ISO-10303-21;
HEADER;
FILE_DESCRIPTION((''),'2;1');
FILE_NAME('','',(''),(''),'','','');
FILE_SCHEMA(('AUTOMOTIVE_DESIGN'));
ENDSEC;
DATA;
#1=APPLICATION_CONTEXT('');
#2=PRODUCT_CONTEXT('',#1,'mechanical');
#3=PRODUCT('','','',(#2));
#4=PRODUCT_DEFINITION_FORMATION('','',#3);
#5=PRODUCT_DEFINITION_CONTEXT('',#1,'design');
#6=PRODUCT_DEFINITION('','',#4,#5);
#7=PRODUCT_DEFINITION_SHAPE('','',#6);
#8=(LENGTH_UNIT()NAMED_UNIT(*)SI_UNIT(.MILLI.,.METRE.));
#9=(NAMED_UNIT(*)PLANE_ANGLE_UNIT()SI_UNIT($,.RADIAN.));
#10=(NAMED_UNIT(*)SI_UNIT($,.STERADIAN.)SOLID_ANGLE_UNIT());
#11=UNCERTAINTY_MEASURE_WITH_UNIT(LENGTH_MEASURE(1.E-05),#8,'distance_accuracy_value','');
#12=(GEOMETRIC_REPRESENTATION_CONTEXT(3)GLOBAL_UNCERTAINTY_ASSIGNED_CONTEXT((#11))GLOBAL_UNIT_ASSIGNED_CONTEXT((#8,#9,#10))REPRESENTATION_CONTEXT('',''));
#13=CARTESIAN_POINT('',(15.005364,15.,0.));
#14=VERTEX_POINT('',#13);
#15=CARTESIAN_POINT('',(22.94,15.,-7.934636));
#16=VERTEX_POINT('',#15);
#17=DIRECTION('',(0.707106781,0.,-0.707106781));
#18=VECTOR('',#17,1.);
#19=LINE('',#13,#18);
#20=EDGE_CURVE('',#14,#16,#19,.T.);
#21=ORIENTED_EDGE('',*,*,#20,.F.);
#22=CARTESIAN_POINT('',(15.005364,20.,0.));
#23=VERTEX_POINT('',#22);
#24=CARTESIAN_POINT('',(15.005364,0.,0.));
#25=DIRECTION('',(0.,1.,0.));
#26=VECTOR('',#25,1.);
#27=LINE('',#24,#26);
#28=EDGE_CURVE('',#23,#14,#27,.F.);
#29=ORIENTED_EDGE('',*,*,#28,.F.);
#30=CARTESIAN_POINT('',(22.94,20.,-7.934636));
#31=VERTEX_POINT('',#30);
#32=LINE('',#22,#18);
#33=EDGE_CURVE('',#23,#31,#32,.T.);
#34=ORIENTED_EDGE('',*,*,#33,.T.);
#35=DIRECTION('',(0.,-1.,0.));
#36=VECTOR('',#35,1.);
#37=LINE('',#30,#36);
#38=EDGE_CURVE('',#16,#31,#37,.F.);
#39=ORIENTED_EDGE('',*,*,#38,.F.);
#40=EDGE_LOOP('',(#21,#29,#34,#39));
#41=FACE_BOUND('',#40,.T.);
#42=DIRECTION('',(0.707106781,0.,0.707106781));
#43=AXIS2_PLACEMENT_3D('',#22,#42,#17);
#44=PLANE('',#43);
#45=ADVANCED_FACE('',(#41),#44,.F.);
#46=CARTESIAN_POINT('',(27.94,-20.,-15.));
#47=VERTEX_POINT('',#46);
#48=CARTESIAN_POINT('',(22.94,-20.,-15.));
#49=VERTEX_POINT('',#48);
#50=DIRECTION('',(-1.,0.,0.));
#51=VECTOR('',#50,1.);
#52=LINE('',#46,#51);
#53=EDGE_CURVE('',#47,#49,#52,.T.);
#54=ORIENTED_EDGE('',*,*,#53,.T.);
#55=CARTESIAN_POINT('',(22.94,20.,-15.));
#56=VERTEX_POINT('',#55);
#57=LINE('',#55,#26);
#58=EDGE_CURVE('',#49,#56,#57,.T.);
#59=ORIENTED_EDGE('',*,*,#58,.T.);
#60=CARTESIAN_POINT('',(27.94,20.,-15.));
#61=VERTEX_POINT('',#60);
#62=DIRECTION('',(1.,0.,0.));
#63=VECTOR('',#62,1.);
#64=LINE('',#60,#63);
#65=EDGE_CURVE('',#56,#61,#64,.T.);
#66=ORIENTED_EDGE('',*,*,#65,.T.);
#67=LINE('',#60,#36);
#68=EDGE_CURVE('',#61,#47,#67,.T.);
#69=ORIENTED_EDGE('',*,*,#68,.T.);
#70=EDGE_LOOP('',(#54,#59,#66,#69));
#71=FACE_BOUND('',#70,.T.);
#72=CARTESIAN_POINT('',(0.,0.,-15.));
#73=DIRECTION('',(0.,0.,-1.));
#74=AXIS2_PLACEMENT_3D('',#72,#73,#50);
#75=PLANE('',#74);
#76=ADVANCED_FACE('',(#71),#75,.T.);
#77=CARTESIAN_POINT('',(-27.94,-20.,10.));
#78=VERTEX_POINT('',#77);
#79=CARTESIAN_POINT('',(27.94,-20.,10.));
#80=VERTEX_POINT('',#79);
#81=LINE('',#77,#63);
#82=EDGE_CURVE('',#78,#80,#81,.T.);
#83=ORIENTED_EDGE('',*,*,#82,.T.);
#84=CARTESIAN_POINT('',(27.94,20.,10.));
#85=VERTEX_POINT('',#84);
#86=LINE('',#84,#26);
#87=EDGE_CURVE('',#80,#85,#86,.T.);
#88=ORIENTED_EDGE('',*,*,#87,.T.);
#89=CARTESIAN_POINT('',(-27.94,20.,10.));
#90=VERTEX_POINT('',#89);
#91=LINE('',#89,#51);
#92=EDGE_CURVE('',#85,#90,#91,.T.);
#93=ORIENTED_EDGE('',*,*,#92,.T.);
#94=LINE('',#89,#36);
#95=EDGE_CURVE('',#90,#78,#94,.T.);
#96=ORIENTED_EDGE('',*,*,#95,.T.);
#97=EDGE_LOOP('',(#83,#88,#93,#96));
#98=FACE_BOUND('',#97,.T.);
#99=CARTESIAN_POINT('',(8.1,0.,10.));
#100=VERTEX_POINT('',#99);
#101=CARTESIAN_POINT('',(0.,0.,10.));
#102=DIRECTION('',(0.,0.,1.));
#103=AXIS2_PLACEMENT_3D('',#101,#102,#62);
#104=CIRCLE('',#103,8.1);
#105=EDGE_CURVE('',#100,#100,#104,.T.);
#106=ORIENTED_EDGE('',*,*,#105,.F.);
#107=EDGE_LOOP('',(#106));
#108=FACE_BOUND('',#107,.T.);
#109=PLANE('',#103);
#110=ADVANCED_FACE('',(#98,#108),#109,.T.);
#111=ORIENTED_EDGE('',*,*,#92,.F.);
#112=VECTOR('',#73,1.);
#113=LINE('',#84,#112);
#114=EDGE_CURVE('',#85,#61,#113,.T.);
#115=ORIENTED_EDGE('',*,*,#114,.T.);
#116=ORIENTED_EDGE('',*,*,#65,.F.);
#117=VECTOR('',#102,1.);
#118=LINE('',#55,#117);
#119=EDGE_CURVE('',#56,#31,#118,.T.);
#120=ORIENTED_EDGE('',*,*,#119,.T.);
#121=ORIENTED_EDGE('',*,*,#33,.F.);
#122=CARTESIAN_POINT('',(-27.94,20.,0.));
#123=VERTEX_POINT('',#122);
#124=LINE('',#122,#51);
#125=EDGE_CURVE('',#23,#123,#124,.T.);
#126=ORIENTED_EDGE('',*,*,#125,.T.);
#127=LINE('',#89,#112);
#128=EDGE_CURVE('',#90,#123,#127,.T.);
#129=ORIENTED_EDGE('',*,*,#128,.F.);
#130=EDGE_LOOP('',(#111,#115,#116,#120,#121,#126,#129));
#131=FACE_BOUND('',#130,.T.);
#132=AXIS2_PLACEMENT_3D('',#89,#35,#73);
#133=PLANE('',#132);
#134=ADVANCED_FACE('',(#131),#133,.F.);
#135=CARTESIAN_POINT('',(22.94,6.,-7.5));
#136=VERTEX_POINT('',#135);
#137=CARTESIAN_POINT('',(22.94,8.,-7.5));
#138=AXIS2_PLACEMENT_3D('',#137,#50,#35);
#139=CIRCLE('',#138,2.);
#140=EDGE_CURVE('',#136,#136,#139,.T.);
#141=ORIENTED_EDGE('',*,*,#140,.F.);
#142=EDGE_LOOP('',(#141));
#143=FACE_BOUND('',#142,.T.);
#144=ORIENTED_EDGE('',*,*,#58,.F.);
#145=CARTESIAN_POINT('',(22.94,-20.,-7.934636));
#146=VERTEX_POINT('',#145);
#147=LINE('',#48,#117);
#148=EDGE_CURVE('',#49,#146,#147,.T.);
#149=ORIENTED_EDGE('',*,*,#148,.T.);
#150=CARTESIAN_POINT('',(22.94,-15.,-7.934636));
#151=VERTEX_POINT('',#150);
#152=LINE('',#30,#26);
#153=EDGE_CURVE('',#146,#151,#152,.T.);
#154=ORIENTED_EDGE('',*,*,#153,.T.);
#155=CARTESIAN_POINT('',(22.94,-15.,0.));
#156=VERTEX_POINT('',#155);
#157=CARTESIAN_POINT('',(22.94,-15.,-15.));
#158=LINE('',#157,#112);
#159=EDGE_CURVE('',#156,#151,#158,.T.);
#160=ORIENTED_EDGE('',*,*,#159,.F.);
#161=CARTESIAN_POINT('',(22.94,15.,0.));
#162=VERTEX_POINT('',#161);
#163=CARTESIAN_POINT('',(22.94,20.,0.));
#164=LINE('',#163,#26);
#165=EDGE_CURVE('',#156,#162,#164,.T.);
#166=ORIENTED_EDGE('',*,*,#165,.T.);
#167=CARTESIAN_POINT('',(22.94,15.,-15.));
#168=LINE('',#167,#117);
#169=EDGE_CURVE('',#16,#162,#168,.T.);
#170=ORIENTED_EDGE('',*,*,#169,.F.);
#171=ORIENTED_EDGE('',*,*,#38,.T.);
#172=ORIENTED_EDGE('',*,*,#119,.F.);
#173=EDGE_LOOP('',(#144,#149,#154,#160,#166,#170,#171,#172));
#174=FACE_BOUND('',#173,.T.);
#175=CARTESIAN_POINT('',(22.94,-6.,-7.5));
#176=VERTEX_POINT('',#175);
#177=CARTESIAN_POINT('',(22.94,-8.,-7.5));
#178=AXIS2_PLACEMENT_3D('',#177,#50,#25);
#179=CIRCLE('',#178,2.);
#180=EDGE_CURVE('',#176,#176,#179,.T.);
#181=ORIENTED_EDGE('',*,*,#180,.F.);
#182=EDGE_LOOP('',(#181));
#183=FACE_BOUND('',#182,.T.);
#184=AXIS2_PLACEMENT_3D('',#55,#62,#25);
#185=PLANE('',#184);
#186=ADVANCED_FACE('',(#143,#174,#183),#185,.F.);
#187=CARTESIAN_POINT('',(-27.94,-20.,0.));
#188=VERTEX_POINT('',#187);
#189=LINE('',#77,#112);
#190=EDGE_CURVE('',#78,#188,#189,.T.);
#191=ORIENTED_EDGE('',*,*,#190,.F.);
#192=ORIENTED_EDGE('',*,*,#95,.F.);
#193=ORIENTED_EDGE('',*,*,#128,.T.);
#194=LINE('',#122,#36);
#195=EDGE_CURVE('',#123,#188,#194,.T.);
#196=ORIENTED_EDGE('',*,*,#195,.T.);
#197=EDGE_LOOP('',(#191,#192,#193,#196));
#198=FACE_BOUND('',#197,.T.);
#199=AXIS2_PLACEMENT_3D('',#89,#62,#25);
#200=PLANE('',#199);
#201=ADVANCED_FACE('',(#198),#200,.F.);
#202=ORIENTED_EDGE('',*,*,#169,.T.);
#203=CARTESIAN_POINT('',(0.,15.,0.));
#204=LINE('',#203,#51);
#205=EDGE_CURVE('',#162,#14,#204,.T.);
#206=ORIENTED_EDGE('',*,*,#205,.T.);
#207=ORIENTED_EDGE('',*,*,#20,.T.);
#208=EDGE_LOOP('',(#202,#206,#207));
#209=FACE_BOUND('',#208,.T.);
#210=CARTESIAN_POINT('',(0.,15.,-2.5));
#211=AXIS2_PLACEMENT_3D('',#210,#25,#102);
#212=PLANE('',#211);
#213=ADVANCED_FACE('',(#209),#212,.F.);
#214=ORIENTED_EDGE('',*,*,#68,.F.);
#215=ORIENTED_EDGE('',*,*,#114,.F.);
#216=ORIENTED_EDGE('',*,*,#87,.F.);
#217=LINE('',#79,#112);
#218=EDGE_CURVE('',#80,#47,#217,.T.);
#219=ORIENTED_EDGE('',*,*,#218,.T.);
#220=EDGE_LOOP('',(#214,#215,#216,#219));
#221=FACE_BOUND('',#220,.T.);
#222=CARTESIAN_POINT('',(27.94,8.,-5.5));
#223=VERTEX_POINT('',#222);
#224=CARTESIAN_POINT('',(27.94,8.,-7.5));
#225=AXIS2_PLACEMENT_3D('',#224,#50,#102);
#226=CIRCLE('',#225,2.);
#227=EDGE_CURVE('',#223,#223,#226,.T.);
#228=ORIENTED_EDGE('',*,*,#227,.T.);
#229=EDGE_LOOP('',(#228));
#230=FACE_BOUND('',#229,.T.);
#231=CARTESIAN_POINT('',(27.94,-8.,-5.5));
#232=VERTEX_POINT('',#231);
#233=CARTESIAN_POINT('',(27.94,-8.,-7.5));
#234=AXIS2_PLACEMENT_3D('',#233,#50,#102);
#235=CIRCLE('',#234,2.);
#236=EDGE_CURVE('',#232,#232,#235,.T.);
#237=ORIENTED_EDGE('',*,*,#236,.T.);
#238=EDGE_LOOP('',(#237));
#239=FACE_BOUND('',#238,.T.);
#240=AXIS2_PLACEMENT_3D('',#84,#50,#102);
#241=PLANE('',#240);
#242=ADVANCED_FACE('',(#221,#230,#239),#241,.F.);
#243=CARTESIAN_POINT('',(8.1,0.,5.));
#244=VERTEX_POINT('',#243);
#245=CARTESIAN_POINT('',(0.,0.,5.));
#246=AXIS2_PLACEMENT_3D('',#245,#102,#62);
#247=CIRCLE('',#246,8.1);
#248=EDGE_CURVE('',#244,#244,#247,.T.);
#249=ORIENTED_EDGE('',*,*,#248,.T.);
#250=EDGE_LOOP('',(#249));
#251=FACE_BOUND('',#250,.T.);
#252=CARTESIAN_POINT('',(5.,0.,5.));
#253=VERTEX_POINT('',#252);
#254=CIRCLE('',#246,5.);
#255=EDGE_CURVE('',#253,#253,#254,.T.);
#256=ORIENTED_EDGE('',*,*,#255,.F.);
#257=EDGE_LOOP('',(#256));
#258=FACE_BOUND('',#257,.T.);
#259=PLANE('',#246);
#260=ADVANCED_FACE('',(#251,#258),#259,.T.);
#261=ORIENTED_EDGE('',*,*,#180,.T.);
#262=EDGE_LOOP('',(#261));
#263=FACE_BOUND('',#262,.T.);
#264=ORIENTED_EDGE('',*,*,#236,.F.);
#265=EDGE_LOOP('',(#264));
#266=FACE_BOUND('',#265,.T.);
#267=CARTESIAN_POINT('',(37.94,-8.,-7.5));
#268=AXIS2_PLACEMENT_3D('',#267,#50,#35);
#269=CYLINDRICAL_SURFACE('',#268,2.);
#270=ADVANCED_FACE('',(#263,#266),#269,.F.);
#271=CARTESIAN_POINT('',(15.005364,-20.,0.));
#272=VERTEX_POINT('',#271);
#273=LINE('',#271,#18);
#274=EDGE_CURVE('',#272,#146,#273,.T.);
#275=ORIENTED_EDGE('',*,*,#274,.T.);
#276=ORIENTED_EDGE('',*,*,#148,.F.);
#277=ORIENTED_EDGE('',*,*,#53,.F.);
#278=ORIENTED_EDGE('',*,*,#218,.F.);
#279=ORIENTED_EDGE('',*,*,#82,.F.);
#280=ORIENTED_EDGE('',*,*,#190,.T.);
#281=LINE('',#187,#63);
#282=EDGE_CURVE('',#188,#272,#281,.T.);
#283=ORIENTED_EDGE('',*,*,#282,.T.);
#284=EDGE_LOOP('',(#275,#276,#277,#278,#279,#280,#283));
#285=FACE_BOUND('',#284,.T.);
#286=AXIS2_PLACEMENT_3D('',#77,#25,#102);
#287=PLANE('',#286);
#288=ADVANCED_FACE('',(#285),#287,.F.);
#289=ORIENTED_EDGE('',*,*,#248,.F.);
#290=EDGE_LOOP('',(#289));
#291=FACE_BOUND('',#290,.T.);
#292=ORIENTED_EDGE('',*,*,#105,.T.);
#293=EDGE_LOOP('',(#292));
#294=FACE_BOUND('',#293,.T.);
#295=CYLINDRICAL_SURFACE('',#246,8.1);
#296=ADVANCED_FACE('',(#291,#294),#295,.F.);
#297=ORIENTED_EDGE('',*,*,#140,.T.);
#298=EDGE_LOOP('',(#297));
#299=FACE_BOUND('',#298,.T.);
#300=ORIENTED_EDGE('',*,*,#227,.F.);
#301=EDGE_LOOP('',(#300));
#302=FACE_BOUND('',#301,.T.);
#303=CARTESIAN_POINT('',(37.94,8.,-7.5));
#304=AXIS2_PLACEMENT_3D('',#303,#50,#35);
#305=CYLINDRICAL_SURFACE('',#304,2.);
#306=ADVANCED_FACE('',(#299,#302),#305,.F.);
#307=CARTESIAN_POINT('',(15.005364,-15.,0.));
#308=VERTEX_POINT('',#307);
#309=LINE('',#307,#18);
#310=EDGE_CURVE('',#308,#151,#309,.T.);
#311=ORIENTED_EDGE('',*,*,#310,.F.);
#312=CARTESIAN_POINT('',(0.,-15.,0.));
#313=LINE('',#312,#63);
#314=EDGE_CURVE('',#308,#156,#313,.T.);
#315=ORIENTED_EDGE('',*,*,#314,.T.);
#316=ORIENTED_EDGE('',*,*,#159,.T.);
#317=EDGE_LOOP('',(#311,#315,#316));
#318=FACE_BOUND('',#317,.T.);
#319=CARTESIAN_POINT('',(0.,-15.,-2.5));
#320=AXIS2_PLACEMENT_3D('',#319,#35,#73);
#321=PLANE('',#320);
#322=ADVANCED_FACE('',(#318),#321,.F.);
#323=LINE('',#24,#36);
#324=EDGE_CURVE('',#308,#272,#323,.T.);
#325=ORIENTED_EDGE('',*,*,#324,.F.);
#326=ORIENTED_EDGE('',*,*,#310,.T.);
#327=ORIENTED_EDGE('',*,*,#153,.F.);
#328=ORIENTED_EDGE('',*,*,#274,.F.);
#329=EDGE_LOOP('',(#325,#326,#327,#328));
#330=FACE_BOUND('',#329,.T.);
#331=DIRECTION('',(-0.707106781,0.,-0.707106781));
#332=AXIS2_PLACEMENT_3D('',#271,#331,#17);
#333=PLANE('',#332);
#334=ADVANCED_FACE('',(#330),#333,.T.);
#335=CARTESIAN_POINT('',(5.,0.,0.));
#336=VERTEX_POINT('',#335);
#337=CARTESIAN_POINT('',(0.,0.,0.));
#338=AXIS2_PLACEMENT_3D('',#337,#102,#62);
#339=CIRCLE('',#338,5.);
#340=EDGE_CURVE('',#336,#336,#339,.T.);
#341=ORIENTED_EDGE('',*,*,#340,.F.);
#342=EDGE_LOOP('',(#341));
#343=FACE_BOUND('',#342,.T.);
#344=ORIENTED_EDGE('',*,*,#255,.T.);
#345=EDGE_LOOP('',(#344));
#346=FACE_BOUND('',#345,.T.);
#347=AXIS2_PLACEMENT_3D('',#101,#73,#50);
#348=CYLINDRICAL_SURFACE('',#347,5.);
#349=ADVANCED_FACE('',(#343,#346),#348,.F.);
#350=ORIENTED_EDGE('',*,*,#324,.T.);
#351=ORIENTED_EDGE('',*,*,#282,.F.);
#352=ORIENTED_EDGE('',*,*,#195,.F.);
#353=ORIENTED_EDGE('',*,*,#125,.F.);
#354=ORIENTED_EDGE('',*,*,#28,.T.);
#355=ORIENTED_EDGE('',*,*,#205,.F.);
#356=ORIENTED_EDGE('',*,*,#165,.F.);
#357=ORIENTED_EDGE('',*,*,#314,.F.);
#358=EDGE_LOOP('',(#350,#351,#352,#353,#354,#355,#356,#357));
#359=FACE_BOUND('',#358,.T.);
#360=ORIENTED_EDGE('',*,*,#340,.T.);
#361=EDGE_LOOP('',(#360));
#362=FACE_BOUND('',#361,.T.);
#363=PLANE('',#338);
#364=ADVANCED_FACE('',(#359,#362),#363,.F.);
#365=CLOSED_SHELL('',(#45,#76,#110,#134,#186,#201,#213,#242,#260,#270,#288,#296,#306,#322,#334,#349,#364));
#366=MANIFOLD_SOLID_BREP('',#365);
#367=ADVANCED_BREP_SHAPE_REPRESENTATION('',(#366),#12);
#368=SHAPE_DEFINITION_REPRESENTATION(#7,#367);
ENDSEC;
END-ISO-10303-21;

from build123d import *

# Parameters (mm, degrees)
SKETCH1_W           = 55.88
SKETCH1_H           = 40
SKETCH1_R           = 5
BOSS_EXTRUDE1_DEPTH = 10
SKETCH2_R           = 8.1
CUT_EXTRUDE1_DEPTH  = 5
SKETCH3_W           = 5
SKETCH3_H           = 40
BOSS_EXTRUDE3_DEPTH = 15
RIB1_REACH          = 53.046
SKETCH4_WALL_W      = 115.312280144
SKETCH4_WALL_H      = 5
SKETCH5_R           = 2
CUT_EXTRUDE2_DEPTH  = 15


with BuildPart() as part:
    # Sketch1 → Boss-Extrude1 (new body)
    with BuildSketch(Plane.XY):
        Rectangle(SKETCH1_W, SKETCH1_H)
        Circle(SKETCH1_R, mode=Mode.SUBTRACT)
    extrude(amount=BOSS_EXTRUDE1_DEPTH)

    # Sketch2 → Cut-Extrude1 (cut)
    with BuildSketch(Plane.XY.offset(10)):
        Circle(SKETCH2_R)
    extrude(amount=-CUT_EXTRUDE1_DEPTH, mode=Mode.SUBTRACT)

    # Sketch3 → Boss-Extrude3 (add)
    with BuildSketch(Plane(origin=(0, 0, 0), x_dir=(-1, 0, 0), z_dir=(0, 0, -1))):
        with Locations((-25.44, 0)):
            Rectangle(SKETCH3_W, SKETCH3_H)
    extrude(amount=BOSS_EXTRUDE3_DEPTH)

    # Sketch4 wall → Rib1 (add, up to next)
    with BuildSketch(Plane(origin=(18.972682027, 20, -3.967317973), x_dir=(0.707106781187, 0, -0.707106781187), z_dir=(-0.707106781187, 0, -0.707106781187)), mode=Mode.PRIVATE) as rib1_sk1:
        with Locations((0, 2.5)):
            Rectangle(SKETCH4_WALL_W, SKETCH4_WALL_H)
    rib1_tool1 = extrude(rib1_sk1.sketch, amount=-RIB1_REACH, mode=Mode.PRIVATE) - part.part
    rib1 = rib1_tool1.solids().sort_by_distance((18.972682027, 20, -3.967317973))[0]
    add(rib1)

    # Mirror1: Rib1 across plane
    add(rib1.mirror(Plane.ZX))

    # Sketch5 → Cut-Extrude2 (cut)
    with BuildSketch(Plane.ZY.offset(-22.94)):
        with Locations(Location((-7.5, 8, 0), (0, 0, 270))):
            Circle(SKETCH5_R)
        with Locations((-7.5, -8)):
            Circle(SKETCH5_R)
    extrude(amount=-CUT_EXTRUDE2_DEPTH, mode=Mode.SUBTRACT)


solid = part.part
